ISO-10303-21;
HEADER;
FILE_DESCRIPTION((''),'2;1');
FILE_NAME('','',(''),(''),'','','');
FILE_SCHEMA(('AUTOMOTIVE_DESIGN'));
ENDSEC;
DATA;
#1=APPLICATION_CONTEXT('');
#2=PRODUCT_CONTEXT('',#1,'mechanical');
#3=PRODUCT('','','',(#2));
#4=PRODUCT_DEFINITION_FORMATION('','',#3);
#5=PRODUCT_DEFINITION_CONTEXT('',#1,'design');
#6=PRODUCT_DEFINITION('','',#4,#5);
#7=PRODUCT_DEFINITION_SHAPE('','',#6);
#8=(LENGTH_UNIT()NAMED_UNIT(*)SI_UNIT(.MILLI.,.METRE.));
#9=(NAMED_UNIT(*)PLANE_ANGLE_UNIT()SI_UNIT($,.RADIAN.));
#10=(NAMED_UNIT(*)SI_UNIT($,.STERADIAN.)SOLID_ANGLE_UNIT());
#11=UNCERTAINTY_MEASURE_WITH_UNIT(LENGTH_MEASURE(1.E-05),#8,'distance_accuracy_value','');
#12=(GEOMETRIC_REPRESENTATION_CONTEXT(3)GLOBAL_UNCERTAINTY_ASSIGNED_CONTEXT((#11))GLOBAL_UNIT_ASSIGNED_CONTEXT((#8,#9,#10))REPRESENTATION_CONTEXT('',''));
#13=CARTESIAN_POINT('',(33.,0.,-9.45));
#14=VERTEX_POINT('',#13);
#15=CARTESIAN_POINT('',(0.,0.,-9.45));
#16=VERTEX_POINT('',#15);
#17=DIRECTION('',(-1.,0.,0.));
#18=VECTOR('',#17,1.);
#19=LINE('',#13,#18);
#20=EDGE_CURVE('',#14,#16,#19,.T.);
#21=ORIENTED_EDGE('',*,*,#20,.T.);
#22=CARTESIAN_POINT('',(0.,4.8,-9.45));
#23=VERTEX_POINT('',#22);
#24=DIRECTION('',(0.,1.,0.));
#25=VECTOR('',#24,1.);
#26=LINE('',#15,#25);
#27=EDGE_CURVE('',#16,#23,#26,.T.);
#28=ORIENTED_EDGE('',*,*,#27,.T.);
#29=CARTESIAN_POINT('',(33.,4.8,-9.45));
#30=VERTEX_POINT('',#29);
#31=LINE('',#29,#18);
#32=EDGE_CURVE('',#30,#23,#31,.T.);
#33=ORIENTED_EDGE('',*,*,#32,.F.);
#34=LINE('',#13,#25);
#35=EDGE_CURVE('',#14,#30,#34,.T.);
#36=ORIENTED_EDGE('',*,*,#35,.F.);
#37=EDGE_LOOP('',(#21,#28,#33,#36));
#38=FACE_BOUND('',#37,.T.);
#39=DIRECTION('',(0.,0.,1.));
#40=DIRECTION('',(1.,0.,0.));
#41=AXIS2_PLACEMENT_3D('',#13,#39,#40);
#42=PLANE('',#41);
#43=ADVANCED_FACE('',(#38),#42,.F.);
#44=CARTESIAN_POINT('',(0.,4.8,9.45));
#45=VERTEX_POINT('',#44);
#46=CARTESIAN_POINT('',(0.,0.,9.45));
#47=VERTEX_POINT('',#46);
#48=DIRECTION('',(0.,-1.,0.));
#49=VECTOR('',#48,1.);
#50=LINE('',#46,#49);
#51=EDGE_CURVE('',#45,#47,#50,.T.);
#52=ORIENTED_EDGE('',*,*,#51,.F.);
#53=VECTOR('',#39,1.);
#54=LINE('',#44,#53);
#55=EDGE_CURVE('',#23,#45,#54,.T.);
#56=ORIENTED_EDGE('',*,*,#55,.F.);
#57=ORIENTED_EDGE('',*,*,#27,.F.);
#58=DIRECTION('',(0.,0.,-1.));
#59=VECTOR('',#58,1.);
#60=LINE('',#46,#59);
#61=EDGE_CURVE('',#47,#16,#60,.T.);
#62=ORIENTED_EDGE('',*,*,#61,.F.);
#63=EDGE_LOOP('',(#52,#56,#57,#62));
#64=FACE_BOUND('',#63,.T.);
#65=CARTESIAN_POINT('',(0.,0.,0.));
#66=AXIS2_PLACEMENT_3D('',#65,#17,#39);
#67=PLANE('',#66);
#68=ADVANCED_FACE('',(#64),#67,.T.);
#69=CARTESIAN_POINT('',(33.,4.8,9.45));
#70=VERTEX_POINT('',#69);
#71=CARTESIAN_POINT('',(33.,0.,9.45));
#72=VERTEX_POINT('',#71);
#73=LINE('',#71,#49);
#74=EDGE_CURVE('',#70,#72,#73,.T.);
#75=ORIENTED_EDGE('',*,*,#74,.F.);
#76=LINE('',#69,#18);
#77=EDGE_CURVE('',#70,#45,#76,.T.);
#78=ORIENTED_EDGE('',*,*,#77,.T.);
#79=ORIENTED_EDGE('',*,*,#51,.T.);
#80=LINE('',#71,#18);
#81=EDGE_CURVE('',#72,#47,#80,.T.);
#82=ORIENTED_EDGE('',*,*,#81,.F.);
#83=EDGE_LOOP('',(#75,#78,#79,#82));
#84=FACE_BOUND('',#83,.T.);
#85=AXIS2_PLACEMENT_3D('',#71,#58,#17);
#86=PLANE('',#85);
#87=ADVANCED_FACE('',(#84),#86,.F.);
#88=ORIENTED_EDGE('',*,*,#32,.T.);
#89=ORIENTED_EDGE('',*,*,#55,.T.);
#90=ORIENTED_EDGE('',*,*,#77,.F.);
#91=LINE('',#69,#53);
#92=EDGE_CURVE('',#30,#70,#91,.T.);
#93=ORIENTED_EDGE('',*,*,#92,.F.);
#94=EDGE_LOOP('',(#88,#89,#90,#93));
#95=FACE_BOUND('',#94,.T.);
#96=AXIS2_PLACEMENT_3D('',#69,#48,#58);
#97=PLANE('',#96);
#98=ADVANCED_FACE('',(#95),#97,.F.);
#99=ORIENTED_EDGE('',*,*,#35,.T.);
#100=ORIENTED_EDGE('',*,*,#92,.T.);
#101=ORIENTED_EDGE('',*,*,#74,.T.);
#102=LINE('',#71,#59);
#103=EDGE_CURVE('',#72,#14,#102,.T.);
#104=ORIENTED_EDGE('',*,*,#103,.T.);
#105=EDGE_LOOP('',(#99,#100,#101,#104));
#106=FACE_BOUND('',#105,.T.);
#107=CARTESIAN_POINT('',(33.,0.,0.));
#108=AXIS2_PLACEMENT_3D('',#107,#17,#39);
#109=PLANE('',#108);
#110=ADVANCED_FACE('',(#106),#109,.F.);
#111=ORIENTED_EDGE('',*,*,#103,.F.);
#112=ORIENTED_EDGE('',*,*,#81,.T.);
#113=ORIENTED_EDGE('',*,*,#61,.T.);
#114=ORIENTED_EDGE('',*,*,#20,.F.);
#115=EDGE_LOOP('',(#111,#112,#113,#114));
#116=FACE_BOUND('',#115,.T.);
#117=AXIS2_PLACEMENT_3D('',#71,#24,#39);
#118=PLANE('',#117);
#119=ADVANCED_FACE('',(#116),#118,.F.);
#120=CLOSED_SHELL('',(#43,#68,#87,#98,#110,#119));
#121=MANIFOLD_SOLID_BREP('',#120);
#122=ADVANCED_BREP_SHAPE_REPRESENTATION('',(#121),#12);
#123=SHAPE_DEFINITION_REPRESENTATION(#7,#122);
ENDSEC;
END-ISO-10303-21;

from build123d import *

# Parameters (mm, degrees)
SKETCH1_W           = 18.9
SKETCH1_H           = 4.8
BOSS_EXTRUDE1_DEPTH = 33


with BuildPart() as part:
    # Sketch1 → Boss-Extrude1 (new body)
    with BuildSketch(Plane(origin=(0, 0, 0), x_dir=(0, 0, -1), z_dir=(1, 0, 0))):
        with Locations((0, 2.4)):
            Rectangle(SKETCH1_W, SKETCH1_H)
    extrude(amount=BOSS_EXTRUDE1_DEPTH)


solid = part.part
